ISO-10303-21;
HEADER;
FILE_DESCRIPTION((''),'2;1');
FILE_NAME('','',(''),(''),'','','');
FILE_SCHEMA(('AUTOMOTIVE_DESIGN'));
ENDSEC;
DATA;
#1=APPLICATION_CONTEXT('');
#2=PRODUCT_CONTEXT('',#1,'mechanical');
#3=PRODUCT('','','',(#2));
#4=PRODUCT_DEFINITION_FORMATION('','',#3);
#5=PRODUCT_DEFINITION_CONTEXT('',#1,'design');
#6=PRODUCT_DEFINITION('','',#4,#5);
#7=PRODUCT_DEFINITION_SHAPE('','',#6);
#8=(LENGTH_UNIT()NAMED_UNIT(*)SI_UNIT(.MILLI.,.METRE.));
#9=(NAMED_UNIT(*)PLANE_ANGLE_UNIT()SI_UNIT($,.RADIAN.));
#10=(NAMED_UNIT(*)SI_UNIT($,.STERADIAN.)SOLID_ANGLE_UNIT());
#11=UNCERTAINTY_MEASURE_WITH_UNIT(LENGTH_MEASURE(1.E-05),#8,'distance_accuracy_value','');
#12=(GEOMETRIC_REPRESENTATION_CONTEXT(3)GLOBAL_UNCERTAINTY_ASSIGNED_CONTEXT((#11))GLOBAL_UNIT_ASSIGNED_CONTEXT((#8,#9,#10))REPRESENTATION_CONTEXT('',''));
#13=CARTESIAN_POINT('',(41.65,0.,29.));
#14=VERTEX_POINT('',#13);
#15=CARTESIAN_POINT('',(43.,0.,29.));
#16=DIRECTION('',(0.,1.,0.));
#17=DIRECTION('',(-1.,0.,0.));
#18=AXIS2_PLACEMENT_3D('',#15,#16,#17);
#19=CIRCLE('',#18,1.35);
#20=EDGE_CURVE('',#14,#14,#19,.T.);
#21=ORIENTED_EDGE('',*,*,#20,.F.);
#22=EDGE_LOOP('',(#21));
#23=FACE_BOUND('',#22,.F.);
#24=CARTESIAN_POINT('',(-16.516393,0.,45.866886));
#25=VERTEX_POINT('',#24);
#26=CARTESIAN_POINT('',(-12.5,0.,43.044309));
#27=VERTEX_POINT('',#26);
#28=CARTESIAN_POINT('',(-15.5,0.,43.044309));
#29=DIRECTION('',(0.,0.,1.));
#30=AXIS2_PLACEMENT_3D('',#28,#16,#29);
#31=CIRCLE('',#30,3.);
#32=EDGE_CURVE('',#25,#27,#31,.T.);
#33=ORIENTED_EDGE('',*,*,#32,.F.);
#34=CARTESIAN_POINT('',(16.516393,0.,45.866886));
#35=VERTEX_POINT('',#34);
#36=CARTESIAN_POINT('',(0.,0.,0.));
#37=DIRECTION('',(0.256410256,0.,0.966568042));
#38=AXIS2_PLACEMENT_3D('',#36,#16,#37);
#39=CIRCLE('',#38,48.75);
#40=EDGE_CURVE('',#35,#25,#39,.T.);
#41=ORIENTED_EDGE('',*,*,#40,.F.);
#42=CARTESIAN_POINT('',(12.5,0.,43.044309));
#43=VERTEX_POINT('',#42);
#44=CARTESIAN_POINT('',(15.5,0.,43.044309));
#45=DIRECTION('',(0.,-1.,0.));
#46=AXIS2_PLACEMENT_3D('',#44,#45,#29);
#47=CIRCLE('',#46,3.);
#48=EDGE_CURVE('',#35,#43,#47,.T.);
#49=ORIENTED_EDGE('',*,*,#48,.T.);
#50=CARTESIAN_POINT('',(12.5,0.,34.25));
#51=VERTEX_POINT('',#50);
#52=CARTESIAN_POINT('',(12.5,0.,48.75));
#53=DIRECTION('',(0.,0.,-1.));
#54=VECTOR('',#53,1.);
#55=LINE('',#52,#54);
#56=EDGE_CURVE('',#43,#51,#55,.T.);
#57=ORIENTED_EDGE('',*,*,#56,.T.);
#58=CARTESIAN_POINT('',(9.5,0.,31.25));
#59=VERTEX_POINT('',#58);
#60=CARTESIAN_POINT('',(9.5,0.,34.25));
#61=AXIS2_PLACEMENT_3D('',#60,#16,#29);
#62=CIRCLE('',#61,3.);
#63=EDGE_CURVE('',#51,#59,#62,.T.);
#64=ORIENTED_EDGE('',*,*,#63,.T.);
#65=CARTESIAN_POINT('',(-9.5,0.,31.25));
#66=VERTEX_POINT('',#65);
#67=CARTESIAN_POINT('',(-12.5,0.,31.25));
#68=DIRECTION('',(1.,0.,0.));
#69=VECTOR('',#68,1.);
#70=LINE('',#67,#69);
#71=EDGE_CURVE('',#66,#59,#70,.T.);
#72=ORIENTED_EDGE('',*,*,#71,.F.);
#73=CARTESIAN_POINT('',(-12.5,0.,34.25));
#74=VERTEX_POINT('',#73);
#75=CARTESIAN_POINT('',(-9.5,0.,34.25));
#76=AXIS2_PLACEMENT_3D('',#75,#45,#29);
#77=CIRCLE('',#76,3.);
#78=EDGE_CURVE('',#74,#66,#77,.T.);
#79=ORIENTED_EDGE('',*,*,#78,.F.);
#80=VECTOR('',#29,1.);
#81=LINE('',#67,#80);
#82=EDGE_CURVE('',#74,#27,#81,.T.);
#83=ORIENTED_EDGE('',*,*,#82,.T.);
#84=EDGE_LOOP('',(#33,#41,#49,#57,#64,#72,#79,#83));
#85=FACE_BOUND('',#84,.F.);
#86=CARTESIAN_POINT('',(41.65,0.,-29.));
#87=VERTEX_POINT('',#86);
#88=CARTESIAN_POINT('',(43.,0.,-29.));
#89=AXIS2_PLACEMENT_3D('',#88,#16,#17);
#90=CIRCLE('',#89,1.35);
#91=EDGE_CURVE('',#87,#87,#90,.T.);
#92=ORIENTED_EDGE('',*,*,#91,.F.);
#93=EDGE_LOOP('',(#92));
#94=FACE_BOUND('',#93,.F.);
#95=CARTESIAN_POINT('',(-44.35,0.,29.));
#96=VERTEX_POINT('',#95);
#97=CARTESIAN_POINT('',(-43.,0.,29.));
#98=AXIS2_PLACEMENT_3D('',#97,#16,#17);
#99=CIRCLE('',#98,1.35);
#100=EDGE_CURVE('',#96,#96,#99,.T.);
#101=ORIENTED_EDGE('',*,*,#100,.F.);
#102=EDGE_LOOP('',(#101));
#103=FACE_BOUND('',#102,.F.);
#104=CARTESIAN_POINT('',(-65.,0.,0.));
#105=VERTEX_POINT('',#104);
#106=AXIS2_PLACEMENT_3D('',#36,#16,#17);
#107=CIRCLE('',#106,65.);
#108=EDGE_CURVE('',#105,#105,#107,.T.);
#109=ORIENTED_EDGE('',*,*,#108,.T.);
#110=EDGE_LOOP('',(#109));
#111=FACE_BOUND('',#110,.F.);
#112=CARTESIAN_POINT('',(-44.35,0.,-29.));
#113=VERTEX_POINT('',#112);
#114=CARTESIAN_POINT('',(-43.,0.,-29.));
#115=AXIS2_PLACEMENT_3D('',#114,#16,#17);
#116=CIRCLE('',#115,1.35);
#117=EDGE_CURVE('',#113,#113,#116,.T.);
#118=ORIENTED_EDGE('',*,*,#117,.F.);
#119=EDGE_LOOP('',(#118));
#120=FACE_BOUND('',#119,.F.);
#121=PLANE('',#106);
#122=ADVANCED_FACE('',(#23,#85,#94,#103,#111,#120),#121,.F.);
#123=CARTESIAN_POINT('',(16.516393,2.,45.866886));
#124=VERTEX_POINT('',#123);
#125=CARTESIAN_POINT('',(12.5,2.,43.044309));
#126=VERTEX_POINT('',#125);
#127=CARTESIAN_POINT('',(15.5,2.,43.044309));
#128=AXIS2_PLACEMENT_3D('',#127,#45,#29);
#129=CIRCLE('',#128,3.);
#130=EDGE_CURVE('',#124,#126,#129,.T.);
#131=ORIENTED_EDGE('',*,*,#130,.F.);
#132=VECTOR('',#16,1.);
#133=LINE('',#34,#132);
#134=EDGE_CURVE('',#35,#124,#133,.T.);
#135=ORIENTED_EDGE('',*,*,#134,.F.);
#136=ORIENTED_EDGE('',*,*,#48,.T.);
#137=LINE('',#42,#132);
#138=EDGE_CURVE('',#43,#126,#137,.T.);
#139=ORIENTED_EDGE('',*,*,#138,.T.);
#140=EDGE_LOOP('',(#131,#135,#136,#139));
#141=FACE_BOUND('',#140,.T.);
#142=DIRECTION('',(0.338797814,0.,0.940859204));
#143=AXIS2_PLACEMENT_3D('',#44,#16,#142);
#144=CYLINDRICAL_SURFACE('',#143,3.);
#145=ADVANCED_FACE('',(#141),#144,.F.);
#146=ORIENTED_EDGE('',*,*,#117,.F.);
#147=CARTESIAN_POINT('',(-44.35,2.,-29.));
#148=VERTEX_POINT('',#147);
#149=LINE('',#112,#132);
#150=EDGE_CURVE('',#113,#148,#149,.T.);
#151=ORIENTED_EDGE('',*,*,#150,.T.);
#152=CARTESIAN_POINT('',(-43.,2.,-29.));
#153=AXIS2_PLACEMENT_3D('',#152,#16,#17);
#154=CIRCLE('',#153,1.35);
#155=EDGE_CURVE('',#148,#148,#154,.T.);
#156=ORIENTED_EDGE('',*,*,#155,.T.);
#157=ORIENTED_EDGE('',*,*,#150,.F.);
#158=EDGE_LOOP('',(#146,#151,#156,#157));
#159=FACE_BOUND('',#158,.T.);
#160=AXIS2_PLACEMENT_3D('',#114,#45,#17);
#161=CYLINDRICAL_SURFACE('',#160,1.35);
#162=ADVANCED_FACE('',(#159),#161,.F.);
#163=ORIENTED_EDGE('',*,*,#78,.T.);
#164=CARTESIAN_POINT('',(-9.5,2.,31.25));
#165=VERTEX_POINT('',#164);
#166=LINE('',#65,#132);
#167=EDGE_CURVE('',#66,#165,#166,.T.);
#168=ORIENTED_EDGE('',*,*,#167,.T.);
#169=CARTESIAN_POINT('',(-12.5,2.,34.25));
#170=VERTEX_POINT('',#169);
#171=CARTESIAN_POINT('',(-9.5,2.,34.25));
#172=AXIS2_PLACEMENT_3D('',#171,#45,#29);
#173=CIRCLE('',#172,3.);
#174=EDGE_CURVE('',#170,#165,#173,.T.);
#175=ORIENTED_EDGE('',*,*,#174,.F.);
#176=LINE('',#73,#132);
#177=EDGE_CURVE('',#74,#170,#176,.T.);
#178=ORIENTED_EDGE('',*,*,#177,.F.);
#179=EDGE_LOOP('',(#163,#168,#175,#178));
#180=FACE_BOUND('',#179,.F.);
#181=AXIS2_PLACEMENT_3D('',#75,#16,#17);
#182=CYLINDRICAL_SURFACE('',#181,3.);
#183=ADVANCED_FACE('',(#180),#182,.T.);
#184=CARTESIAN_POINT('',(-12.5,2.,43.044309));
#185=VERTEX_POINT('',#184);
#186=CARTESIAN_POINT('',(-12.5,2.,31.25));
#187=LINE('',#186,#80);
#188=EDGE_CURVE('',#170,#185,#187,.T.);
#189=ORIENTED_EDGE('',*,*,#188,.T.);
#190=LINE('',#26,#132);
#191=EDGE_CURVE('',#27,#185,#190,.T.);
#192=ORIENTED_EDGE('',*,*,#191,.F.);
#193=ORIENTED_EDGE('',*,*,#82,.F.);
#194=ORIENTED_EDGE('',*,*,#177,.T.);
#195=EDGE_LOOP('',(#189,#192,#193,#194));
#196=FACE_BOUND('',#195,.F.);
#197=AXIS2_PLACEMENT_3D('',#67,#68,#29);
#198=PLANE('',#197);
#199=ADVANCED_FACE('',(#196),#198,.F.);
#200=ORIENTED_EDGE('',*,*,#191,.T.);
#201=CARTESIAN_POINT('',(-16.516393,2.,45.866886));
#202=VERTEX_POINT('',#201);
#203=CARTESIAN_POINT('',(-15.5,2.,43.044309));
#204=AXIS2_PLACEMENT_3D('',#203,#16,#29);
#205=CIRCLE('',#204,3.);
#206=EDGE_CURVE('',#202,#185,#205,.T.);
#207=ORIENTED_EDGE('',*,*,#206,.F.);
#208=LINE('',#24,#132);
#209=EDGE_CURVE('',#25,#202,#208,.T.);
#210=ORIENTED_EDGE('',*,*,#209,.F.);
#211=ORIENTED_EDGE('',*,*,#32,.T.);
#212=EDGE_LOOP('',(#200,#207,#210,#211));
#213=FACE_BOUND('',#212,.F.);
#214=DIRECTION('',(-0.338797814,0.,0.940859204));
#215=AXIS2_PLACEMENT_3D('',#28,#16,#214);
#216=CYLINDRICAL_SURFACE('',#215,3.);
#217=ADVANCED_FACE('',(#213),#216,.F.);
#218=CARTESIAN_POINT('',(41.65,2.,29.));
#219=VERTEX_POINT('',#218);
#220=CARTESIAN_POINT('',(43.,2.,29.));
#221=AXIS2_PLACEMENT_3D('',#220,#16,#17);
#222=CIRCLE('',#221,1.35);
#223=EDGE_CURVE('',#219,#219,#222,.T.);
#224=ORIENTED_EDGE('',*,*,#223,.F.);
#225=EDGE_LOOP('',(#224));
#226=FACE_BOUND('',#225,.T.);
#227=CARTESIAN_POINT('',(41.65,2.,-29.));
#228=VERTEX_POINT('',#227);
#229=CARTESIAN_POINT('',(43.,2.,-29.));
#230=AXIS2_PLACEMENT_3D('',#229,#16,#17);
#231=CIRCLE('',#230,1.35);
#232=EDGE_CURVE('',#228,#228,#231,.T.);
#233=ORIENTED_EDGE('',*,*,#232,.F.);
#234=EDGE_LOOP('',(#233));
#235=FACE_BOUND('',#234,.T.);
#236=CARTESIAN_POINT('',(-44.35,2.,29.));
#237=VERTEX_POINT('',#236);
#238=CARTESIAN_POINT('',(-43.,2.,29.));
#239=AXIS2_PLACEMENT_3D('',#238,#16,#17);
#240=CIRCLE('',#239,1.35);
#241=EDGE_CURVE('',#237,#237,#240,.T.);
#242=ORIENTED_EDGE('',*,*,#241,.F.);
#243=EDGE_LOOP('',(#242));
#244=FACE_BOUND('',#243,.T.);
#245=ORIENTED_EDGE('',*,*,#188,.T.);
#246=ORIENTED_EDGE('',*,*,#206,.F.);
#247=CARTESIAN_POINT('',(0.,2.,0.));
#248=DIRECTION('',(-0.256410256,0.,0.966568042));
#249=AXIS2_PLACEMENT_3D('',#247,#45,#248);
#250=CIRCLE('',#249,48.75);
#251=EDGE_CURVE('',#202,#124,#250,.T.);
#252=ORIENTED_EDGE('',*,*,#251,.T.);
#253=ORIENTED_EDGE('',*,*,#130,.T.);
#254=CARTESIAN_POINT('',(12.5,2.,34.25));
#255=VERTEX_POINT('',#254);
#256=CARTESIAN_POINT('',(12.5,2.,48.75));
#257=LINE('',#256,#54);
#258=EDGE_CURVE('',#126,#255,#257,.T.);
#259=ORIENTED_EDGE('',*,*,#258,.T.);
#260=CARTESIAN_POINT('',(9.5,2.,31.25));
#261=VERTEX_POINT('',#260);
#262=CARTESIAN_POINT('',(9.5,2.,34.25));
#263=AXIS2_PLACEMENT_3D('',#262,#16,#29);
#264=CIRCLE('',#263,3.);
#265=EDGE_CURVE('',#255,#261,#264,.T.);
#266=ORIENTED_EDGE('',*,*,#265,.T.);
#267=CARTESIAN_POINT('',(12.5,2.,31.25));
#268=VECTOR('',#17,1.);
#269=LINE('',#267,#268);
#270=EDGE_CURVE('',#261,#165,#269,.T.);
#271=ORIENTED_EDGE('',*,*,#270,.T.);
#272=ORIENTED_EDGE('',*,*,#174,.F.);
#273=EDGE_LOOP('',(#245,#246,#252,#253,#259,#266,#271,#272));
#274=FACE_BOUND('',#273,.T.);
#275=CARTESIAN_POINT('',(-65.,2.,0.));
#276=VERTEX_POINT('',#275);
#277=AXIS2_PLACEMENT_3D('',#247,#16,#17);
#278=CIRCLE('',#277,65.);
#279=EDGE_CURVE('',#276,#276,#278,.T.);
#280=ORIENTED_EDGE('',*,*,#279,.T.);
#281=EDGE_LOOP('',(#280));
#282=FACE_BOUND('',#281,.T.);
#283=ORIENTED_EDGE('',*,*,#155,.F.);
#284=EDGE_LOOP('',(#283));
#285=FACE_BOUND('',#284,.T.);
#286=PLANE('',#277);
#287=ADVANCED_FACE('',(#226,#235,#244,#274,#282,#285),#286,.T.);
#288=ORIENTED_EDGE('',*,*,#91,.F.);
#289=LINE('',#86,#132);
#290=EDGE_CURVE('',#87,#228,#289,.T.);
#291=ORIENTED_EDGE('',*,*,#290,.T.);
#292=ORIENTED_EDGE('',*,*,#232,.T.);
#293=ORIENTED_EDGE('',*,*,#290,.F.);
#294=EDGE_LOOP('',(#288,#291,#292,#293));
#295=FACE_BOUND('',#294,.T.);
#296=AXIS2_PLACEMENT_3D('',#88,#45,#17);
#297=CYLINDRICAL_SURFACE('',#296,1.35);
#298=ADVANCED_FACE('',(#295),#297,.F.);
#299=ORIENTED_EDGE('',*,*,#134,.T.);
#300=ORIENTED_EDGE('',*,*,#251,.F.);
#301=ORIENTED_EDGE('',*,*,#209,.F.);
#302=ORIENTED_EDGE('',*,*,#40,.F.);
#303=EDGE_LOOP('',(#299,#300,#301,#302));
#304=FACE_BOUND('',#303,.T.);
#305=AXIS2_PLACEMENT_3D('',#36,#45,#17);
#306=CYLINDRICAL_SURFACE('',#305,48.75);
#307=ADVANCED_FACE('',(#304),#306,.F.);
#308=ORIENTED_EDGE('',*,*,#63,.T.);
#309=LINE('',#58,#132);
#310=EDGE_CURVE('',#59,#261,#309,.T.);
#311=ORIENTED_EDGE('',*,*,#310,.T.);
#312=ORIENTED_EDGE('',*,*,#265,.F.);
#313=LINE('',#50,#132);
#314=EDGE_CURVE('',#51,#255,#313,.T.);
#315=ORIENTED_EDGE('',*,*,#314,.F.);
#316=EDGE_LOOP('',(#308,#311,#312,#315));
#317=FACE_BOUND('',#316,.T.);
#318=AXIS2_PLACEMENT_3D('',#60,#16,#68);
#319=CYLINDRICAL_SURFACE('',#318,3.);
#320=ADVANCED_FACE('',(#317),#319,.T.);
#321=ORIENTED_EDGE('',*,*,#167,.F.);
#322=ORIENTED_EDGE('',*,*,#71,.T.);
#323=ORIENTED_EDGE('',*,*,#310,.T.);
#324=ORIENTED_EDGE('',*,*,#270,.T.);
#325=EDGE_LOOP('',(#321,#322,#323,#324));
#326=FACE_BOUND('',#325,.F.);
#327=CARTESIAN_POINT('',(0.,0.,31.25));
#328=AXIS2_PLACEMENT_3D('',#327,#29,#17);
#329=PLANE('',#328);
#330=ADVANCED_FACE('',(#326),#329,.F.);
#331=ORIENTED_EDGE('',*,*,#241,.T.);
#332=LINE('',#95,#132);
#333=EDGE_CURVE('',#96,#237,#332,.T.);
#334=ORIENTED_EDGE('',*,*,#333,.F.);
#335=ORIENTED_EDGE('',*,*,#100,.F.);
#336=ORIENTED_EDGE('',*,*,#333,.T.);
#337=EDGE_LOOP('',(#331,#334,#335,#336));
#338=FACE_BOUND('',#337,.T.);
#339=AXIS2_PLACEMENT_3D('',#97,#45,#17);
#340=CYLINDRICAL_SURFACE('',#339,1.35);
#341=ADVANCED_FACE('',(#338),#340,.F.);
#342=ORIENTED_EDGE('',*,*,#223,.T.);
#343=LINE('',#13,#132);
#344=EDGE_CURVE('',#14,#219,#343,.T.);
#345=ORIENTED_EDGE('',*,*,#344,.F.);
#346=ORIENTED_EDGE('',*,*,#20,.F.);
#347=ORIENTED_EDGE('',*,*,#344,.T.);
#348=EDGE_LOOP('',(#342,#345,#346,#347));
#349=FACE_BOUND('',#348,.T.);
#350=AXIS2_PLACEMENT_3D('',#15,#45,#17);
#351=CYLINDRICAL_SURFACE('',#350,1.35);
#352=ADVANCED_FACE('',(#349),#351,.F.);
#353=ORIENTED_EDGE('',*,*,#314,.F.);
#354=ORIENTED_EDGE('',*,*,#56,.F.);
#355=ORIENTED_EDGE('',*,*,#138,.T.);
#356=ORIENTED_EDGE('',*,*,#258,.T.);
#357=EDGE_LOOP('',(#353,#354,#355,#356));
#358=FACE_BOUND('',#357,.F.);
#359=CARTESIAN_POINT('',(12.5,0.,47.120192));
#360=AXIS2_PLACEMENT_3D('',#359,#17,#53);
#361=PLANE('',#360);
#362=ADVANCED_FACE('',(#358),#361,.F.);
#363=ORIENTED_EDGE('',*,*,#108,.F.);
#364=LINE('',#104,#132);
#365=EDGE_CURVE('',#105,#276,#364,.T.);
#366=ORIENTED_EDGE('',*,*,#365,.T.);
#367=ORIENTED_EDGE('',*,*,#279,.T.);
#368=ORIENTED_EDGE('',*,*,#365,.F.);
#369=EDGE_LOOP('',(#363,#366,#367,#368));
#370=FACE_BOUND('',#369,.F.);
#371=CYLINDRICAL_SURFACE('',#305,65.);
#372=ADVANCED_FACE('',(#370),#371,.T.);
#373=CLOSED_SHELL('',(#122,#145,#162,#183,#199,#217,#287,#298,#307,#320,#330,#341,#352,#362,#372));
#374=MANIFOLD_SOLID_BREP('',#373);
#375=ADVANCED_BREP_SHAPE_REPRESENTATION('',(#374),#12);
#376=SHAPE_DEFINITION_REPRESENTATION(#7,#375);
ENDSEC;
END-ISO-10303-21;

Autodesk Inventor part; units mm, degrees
ref_plane "YZ Plane" through (0, 0, 0) normal (1, 0, 0) x (0, 1, 0)
ref_plane "XZ Plane" through (0, 0, 0) normal (0, 1, 0) x (-1, 0, 0)
ref_plane "XY Plane" through (0, 0, 0) normal (0, 0, 1) x (1, 0, 0)
sketch "Sketch1" plane through (0, 0, 0) normal (0, 1, 0) x (-1, 0, 0)
  circle A0 centre (0, 0) radius 65
  line L0 (0, 0) -> (65, 0) construction
  line L1 (0, 0) -> (0, -65) construction
  circle A1 centre (0, 0) radius 48.75
  line L2 (0, 48.75) -> (0, 31.25)
  line L3 (0, 31.25) -> (-37.4166, 31.25)
  line L4 (0, 31.25) -> (37.4166, 31.25)
  line L5 (0, 0) -> (65, 0) construction
  line L6 (0, 0) -> (-48.75, 0) construction
  circle A2 centre (29, 43) radius 1.35
  circle A3 centre (-29, 43) radius 1.35
  circle A4 centre (29, -43) radius 1.35
  circle A5 centre (-29, -43) radius 1.35
  circle A6 centre (-43, 29) radius 1.35
  circle A7 centre (-43, -29) radius 1.35
  circle A8 centre (43, 29) radius 1.35
  circle A9 centre (43, -29) radius 1.35
  circle A10 centre (-29, -43) radius 1.35
  circle A11 centre (29, -43) radius 1.35
  circle A12 centre (-29, 43) radius 1.35
  circle A13 centre (29, 43) radius 1.35
  circle A14 centre (43, -29) radius 1.35
  circle A15 centre (43, 29) radius 1.35
  circle A16 centre (-43, -29) radius 1.35
  circle A17 centre (-43, 29) radius 1.35
  line L7 (12.5, 48.75) -> (-12.5, 48.75)
  line L8 (-12.5, 48.75) -> (-12.5, 31.25)
  line L9 (-12.5, 31.25) -> (12.5, 31.25)
  line L10 (12.5, 31.25) -> (12.5, 48.75)
  line L11 (12.5, 48.75) -> (-12.5, 31.25) construction
  line L12 (-12.5, 48.75) -> (12.5, 31.25) construction
  point P0 (0, -48.75)
  point P1 (0, 40)
  point P2 (-12.5, 47.1202)
  point P3 (12.5, 47.1202)
  dimension "d0" = 130
  dimension "d18" = 97.5
  dimension "d21" = 62.5
  dimension "d29" = 86
  dimension "d30" = 29
  dimension "d31" = 2.7
  dimension "d47" = 360
  dimension "d49" = 25
extrude "Extrusion1" add sketch "Sketch1" along normal blind 2 contours A0 | L10 L4 L2 A1 | A1 L7 L10 | L8 L7 A1 | A1 L2 L3 L8 | A2 | A3 | A4 | A5
sketch "Sketch2" plane through (0, 0, 0) normal (0, -1, 0) x (1, 0, 0)
  circle A0 centre (0, 0) radius 65 construction
  line L0 (-4, 55) -> (4, 55)
  line L1 (4, 55) -> (4, 61)
  line L2 (-4, 61) -> (-4, 55)
  line L3 (-4, 55) -> (4, 61) construction
  line L4 (4, 55) -> (-4, 61) construction
  line L5 (0, 0) -> (0, 71.2779) construction
  arc A1 (4, 61) -> (-4, 61) centre (0, 61) ccw
  line L6 (-24.7431, 49.2826) -> (-17.3521, 52.3441)
  line L7 (-17.3521, 52.3441) -> (-19.6482, 57.8874)
  line L8 (-27.0392, 54.8259) -> (-24.7431, 49.2826)
  line L9 (-24.7431, 49.2826) -> (-19.6482, 57.8874) construction
  line L10 (-17.3521, 52.3441) -> (-27.0392, 54.8259) construction
  arc A2 (-19.6482, 57.8874) -> (-27.0392, 54.8259) centre (-23.3437, 56.3567) ccw
  line L11 (-41.7193, 36.0624) -> (-36.0624, 41.7193)
  line L12 (-36.0624, 41.7193) -> (-40.3051, 45.9619)
  line L13 (-45.9619, 40.3051) -> (-41.7193, 36.0624)
  line L14 (-41.7193, 36.0624) -> (-40.3051, 45.9619) construction
  line L15 (-36.0624, 41.7193) -> (-45.9619, 40.3051) construction
  arc A3 (-40.3051, 45.9619) -> (-45.9619, 40.3051) centre (-43.1335, 43.1335) ccw
  line L16 (-52.3441, 17.3521) -> (-49.2826, 24.7431)
  line L17 (-49.2826, 24.7431) -> (-54.8259, 27.0392)
  line L18 (-57.8874, 19.6482) -> (-52.3441, 17.3521)
  line L19 (-52.3441, 17.3521) -> (-54.8259, 27.0392) construction
  line L20 (-49.2826, 24.7431) -> (-57.8874, 19.6482) construction
  arc A4 (-54.8259, 27.0392) -> (-57.8874, 19.6482) centre (-56.3567, 23.3437) ccw
  line L21 (-55, -4) -> (-55, 4)
  line L22 (-55, 4) -> (-61, 4)
  line L23 (-61, -4) -> (-55, -4)
  line L24 (-55, -4) -> (-61, 4) construction
  line L25 (-55, 4) -> (-61, -4) construction
  arc A5 (-61, 4) -> (-61, -4) centre (-61, 0) ccw
  line L26 (-49.2826, -24.7431) -> (-52.3441, -17.3521)
  line L27 (-52.3441, -17.3521) -> (-57.8874, -19.6482)
  line L28 (-54.8259, -27.0392) -> (-49.2826, -24.7431)
  line L29 (-49.2826, -24.7431) -> (-57.8874, -19.6482) construction
  line L30 (-52.3441, -17.3521) -> (-54.8259, -27.0392) construction
  arc A6 (-57.8874, -19.6482) -> (-54.8259, -27.0392) centre (-56.3567, -23.3437) ccw
  line L31 (-36.0624, -41.7193) -> (-41.7193, -36.0624)
  line L32 (-41.7193, -36.0624) -> (-45.9619, -40.3051)
  line L33 (-40.3051, -45.9619) -> (-36.0624, -41.7193)
  line L34 (-36.0624, -41.7193) -> (-45.9619, -40.3051) construction
  line L35 (-41.7193, -36.0624) -> (-40.3051, -45.9619) construction
  arc A7 (-45.9619, -40.3051) -> (-40.3051, -45.9619) centre (-43.1335, -43.1335) ccw
  line L36 (-17.3521, -52.3441) -> (-24.7431, -49.2826)
  line L37 (-24.7431, -49.2826) -> (-27.0392, -54.8259)
  line L38 (-19.6482, -57.8874) -> (-17.3521, -52.3441)
  line L39 (-17.3521, -52.3441) -> (-27.0392, -54.8259) construction
  line L40 (-24.7431, -49.2826) -> (-19.6482, -57.8874) construction
  arc A8 (-27.0392, -54.8259) -> (-19.6482, -57.8874) centre (-23.3437, -56.3567) ccw
  line L41 (4, -55) -> (-4, -55)
  line L42 (-4, -55) -> (-4, -61)
  line L43 (4, -61) -> (4, -55)
  line L44 (4, -55) -> (-4, -61) construction
  line L45 (-4, -55) -> (4, -61) construction
  arc A9 (-4, -61) -> (4, -61) centre (0, -61) ccw
  line L46 (24.7431, -49.2826) -> (17.3521, -52.3441)
  line L47 (17.3521, -52.3441) -> (19.6482, -57.8874)
  line L48 (27.0392, -54.8259) -> (24.7431, -49.2826)
  line L49 (24.7431, -49.2826) -> (19.6482, -57.8874) construction
  line L50 (17.3521, -52.3441) -> (27.0392, -54.8259) construction
  arc A10 (19.6482, -57.8874) -> (27.0392, -54.8259) centre (23.3437, -56.3567) ccw
  line L51 (41.7193, -36.0624) -> (36.0624, -41.7193)
  line L52 (36.0624, -41.7193) -> (40.3051, -45.9619)
  line L53 (45.9619, -40.3051) -> (41.7193, -36.0624)
  line L54 (41.7193, -36.0624) -> (40.3051, -45.9619) construction
  line L55 (36.0624, -41.7193) -> (45.9619, -40.3051) construction
  arc A11 (40.3051, -45.9619) -> (45.9619, -40.3051) centre (43.1335, -43.1335) ccw
  line L56 (52.3441, -17.3521) -> (49.2826, -24.7431)
  line L57 (49.2826, -24.7431) -> (54.8259, -27.0392)
  line L58 (57.8874, -19.6482) -> (52.3441, -17.3521)
  line L59 (52.3441, -17.3521) -> (54.8259, -27.0392) construction
  line L60 (49.2826, -24.7431) -> (57.8874, -19.6482) construction
  arc A12 (54.8259, -27.0392) -> (57.8874, -19.6482) centre (56.3567, -23.3437) ccw
  line L61 (55, 4) -> (55, -4)
  line L62 (55, -4) -> (61, -4)
  line L63 (61, 4) -> (55, 4)
  line L64 (55, 4) -> (61, -4) construction
  line L65 (55, -4) -> (61, 4) construction
  arc A13 (61, -4) -> (61, 4) centre (61, 0) ccw
  line L66 (49.2826, 24.7431) -> (52.3441, 17.3521)
  line L67 (52.3441, 17.3521) -> (57.8874, 19.6482)
  line L68 (54.8259, 27.0392) -> (49.2826, 24.7431)
  line L69 (49.2826, 24.7431) -> (57.8874, 19.6482) construction
  line L70 (52.3441, 17.3521) -> (54.8259, 27.0392) construction
  arc A14 (57.8874, 19.6482) -> (54.8259, 27.0392) centre (56.3567, 23.3437) ccw
  line L71 (36.0624, 41.7193) -> (41.7193, 36.0624)
  line L72 (41.7193, 36.0624) -> (45.9619, 40.3051)
  line L73 (40.3051, 45.9619) -> (36.0624, 41.7193)
  line L74 (36.0624, 41.7193) -> (45.9619, 40.3051) construction
  line L75 (41.7193, 36.0624) -> (40.3051, 45.9619) construction
  arc A15 (45.9619, 40.3051) -> (40.3051, 45.9619) centre (43.1335, 43.1335) ccw
  line L76 (17.3521, 52.3441) -> (24.7431, 49.2826)
  line L77 (24.7431, 49.2826) -> (27.0392, 54.8259)
  line L78 (19.6482, 57.8874) -> (17.3521, 52.3441)
  line L79 (17.3521, 52.3441) -> (27.0392, 54.8259) construction
  line L80 (24.7431, 49.2826) -> (19.6482, 57.8874) construction
  arc A16 (27.0392, 54.8259) -> (19.6482, 57.8874) centre (23.3437, 56.3567) ccw
  point P0 (0, 58)
  point P1 (-22.1956, 53.585)
  point P2 (-41.0122, 41.0122)
  point P3 (-53.585, 22.1956)
  point P4 (-58, 0)
  point P5 (-53.585, -22.1956)
  point P6 (-41.0122, -41.0122)
  point P7 (-22.1956, -53.585)
  point P8 (0, -58)
  point P9 (22.1956, -53.585)
  point P10 (41.0122, -41.0122)
  point P11 (53.585, -22.1956)
  point P12 (58, 0)
  point P13 (53.585, 22.1956)
  point P14 (41.0122, 41.0122)
  point P15 (22.1956, 53.585)
  dimension "d34" = 8
  dimension "d35" = 6
  dimension "d38" = 4
  dimension "d39" = 55
  dimension "d42" = 360
extrude "Extrusion2" [suppressed]
fillet "Fillet1" radius 3 4 edges at (12.5, 1, 47.1202) (12.5, 1, 31.25) (-12.5, 1, 31.25) (-12.5, 1, 47.1202)
properties part number "IR Board"
